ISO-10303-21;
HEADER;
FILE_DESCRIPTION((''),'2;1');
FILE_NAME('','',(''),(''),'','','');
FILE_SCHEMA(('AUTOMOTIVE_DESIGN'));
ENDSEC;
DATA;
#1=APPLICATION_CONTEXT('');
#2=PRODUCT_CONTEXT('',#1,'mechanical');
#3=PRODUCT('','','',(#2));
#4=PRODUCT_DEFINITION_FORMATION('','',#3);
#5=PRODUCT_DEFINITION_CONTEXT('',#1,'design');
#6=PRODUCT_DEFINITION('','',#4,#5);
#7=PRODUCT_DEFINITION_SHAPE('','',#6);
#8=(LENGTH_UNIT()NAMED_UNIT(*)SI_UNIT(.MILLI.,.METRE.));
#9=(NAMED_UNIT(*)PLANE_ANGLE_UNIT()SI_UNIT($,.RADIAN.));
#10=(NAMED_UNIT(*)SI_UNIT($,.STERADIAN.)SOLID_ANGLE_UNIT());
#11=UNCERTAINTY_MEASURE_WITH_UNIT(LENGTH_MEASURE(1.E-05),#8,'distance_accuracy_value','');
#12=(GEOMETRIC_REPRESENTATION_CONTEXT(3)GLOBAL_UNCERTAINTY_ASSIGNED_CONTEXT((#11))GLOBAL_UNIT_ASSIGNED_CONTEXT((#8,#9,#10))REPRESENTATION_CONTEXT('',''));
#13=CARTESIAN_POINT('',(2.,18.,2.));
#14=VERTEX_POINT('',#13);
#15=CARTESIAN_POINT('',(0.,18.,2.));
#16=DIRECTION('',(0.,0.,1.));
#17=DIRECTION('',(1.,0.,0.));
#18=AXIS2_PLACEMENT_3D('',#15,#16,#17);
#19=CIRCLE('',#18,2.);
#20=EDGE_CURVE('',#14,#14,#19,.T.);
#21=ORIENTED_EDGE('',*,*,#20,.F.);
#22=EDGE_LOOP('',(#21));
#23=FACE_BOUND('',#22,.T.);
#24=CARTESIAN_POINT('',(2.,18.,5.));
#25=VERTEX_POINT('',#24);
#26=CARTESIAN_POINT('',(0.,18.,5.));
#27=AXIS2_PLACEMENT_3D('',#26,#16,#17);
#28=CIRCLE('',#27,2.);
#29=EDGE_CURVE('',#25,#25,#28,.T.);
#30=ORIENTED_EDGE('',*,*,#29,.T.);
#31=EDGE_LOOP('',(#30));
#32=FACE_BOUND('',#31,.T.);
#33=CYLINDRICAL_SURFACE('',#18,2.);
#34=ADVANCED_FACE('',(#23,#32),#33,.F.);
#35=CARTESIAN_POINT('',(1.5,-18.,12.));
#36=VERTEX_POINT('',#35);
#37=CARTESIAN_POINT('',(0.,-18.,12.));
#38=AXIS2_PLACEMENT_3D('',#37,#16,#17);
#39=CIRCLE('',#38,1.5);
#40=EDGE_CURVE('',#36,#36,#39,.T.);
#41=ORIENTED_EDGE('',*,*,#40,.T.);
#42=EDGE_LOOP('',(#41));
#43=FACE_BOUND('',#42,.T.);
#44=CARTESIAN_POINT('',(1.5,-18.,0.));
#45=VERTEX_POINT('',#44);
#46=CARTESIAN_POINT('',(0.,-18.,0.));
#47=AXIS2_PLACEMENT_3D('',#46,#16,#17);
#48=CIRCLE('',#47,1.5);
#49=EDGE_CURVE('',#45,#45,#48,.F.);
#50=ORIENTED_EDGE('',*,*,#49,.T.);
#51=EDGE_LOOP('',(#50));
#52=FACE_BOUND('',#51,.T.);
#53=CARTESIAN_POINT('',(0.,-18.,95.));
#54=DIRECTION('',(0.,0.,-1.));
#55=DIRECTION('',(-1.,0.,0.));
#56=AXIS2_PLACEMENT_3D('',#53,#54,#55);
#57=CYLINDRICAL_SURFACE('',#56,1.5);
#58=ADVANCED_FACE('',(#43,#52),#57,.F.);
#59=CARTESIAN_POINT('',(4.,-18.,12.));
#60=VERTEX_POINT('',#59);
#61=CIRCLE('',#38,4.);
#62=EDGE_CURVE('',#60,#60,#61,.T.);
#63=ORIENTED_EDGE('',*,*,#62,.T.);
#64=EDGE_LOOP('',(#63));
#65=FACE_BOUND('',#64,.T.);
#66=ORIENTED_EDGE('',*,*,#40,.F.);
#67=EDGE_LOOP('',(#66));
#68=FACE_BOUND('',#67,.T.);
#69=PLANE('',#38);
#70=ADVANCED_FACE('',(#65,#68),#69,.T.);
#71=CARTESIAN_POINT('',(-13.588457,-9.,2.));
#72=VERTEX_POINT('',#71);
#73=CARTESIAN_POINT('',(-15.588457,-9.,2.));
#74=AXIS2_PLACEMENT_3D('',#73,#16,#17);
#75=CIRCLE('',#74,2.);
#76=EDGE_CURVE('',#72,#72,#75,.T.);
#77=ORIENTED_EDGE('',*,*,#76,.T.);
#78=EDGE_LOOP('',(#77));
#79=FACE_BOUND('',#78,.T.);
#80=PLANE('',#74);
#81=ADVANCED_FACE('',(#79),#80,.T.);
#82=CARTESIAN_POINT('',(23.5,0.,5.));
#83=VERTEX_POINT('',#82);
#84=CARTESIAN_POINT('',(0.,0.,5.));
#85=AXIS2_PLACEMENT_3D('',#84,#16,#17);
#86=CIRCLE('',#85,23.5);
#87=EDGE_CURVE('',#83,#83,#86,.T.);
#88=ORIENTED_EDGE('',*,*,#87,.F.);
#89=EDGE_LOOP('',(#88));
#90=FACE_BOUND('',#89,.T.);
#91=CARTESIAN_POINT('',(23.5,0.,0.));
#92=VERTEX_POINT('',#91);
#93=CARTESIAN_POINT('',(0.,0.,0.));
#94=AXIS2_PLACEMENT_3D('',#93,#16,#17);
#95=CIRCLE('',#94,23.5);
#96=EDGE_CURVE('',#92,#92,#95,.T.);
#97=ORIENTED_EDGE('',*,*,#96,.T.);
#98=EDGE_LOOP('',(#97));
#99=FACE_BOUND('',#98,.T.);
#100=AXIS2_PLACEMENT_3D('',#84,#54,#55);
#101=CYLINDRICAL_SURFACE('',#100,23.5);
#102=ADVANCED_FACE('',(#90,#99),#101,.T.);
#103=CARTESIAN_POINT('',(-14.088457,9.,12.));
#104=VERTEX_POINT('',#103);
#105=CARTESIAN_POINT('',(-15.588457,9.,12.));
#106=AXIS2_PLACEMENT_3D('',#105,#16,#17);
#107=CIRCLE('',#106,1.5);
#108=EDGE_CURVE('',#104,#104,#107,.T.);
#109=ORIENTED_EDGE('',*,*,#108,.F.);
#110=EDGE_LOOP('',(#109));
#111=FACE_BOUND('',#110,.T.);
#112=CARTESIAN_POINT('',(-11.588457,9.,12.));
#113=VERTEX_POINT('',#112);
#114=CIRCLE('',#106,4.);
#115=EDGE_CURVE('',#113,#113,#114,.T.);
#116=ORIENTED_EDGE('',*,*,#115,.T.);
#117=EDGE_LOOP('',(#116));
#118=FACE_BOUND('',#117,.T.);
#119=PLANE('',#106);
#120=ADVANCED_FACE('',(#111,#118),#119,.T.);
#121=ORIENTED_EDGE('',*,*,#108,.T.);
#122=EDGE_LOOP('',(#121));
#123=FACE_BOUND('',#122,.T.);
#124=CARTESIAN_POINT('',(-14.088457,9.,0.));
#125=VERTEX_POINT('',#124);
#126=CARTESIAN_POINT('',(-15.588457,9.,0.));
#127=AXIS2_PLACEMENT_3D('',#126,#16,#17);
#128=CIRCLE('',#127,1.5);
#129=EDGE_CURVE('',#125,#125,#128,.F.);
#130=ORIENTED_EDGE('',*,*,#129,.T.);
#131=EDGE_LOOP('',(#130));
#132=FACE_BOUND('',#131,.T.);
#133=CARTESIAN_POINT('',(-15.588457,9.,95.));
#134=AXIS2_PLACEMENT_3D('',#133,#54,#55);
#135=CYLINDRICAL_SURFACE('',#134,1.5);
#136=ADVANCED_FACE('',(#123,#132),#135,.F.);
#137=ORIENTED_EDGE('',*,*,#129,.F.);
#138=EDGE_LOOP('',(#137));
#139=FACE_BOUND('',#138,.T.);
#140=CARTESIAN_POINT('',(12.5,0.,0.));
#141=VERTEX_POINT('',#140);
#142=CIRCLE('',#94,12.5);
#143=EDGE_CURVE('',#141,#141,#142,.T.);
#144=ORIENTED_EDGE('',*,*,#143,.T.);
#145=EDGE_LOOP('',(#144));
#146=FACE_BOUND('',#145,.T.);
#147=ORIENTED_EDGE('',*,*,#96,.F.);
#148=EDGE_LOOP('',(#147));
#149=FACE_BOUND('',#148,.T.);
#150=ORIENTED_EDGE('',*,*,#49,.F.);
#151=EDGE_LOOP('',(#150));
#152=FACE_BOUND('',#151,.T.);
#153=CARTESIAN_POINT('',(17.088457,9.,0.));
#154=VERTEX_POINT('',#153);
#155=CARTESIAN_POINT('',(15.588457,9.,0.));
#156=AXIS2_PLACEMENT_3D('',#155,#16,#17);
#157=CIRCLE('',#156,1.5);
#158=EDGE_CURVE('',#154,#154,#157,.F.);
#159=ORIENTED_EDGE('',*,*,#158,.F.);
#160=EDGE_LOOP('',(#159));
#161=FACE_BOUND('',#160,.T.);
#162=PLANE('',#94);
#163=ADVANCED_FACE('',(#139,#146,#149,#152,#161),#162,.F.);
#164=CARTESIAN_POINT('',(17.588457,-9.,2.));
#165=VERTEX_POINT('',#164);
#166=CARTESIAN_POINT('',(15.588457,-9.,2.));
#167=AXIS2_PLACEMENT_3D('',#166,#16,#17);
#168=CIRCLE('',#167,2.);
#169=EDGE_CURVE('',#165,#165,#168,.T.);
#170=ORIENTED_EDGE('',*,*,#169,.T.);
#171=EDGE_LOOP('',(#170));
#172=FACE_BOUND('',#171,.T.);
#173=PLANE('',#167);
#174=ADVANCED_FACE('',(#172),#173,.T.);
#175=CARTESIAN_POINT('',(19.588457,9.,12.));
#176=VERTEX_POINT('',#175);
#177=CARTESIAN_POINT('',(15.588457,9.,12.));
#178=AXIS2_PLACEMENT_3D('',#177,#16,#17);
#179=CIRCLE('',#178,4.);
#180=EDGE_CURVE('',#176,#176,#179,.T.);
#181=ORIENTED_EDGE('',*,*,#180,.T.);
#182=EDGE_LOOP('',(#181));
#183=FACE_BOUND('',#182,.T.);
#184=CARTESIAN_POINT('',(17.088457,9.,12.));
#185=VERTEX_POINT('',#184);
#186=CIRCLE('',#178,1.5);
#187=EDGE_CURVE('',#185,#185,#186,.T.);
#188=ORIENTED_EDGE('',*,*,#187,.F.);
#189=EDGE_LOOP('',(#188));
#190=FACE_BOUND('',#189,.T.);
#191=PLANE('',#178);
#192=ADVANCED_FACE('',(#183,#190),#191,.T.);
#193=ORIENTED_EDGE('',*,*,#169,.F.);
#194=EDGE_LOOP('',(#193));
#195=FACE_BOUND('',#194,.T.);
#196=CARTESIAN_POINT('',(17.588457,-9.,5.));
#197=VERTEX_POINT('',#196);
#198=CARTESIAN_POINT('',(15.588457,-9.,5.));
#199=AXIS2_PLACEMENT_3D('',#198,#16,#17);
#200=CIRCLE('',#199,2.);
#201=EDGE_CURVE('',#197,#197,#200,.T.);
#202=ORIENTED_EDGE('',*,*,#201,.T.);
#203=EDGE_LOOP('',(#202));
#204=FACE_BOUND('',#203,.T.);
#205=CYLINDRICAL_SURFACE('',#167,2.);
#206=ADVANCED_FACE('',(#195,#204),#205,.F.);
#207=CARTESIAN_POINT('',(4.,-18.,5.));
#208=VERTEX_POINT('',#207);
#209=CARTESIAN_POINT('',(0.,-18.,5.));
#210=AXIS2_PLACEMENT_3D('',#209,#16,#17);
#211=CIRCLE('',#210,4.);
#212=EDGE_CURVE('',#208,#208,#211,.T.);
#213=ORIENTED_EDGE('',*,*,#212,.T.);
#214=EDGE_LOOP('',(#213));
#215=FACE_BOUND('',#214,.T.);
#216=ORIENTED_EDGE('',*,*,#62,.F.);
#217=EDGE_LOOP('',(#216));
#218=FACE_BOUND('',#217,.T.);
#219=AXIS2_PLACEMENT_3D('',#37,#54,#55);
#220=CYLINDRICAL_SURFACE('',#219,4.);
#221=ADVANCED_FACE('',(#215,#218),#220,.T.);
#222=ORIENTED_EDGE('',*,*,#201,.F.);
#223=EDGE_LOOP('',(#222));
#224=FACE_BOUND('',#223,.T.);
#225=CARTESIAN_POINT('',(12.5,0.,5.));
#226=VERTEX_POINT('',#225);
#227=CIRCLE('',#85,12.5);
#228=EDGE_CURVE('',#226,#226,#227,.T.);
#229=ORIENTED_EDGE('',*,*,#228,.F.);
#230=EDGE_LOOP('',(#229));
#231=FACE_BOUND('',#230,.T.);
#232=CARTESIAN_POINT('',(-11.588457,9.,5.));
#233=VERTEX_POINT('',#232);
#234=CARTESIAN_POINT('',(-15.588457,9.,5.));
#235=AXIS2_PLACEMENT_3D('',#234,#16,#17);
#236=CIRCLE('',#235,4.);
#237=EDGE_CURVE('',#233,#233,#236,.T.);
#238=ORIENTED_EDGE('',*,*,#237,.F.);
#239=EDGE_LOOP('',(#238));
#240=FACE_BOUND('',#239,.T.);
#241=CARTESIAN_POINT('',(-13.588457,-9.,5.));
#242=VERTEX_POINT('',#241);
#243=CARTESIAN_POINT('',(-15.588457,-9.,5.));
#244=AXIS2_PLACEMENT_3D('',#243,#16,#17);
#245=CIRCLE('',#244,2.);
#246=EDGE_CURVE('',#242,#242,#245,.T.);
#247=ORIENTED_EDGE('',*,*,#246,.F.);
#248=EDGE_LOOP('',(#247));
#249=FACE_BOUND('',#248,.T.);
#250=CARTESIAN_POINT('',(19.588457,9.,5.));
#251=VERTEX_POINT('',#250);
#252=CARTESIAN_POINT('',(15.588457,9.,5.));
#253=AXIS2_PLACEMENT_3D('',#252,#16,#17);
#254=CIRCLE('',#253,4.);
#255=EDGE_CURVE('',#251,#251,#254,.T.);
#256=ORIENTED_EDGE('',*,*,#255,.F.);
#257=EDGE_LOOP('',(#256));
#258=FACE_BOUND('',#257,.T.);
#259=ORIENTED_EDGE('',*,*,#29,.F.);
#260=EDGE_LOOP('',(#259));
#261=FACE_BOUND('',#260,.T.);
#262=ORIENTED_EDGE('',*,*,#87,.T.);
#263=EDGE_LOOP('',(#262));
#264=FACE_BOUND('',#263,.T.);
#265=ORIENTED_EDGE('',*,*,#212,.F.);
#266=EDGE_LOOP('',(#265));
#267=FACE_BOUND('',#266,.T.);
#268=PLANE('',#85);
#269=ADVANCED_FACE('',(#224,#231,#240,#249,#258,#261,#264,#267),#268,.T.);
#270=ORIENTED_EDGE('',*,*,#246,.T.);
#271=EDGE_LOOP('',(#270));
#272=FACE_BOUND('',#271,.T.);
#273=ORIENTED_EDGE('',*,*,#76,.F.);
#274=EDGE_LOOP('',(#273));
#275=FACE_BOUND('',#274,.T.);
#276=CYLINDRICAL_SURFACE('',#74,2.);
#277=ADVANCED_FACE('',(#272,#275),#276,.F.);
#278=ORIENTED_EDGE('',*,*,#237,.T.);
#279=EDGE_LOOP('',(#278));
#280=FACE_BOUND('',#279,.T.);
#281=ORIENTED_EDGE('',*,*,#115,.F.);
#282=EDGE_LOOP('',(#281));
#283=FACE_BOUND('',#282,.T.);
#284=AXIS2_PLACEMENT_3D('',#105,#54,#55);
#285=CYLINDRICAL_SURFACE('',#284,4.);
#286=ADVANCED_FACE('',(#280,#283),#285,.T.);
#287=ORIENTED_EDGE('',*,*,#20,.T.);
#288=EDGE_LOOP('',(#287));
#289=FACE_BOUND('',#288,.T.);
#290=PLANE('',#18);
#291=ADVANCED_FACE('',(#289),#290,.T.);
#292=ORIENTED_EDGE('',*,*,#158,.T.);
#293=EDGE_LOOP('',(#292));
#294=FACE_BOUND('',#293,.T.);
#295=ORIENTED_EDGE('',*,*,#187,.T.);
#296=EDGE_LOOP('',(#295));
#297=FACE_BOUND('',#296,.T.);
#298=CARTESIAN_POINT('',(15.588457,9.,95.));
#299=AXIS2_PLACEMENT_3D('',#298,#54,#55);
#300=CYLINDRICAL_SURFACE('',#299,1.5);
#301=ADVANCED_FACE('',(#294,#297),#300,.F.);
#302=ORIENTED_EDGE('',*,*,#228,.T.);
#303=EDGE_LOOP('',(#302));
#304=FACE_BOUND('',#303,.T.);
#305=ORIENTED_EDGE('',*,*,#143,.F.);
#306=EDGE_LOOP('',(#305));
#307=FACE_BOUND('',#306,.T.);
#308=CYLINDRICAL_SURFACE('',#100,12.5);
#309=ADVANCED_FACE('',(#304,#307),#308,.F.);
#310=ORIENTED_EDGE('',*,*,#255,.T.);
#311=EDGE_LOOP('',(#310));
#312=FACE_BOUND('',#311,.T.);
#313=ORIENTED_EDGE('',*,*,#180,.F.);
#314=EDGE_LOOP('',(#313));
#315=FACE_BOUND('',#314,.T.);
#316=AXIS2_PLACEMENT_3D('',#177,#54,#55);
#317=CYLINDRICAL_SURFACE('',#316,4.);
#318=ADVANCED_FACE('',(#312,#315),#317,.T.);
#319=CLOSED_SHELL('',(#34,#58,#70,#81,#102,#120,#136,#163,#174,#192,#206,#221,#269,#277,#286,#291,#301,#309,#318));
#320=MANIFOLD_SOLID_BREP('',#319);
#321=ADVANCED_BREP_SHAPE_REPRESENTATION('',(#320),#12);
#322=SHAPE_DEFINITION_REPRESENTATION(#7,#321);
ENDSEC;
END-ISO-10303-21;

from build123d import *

# Parameters (mm, degrees)
SKETCH1_R               = 23.5
SKETCH1_R_2             = 12.5
BOSS_EXTRUDE1_DEPTH     = 5
SKETCH2_R               = 2
CUT_EXTRUDE1_DEPTH      = 3
SKETCH3_R               = 1.5
CUT_EXTRUDE2_DEPTH      = 90
CUT_EXTRUDE2_DEPTH_BACK = 54
SKETCH6_R               = 4
SKETCH6_R_2             = 1.5
BOSS_EXTRUDE3_DEPTH     = 7
SKETCH7_R               = 4
SKETCH7_R_2             = 1.5
BOSS_EXTRUDE4_DEPTH     = 3


with BuildPart() as part:
    # Sketch1 → Boss-Extrude1 (new body)
    with BuildSketch(Plane.XY):
        Circle(SKETCH1_R)
        Circle(SKETCH1_R_2, mode=Mode.SUBTRACT)
    extrude(amount=BOSS_EXTRUDE1_DEPTH)

    # Sketch2 → Cut-Extrude1 (cut)
    with BuildSketch(Plane.XY.offset(5)):
        with Locations((0, 18)):
            Circle(SKETCH2_R)
        with Locations((15.588457268, -9)):
            Circle(SKETCH2_R)
        with Locations((-15.588457268, -9)):
            Circle(SKETCH2_R)
    extrude(amount=-CUT_EXTRUDE1_DEPTH, mode=Mode.SUBTRACT)

    # Sketch3 → Cut-Extrude2 (cut, two sides)
    with BuildSketch(Plane.XY.offset(5)) as cut_extrude2_sk:
        with Locations((-15.588457268, 9)):
            Circle(SKETCH3_R)
        with Locations((15.588457268, 9)):
            Circle(SKETCH3_R)
        with Locations((0, -18)):
            Circle(SKETCH3_R)
    extrude(amount=CUT_EXTRUDE2_DEPTH, mode=Mode.SUBTRACT)
    extrude(cut_extrude2_sk.sketch, amount=-CUT_EXTRUDE2_DEPTH_BACK, mode=Mode.SUBTRACT)

    # Sketch6 → Boss-Extrude3 (add)
    with BuildSketch(Plane.XY.offset(5)):
        with Locations((-15.588457268, 9)):
            Circle(SKETCH6_R)
        with Locations((-15.588457268, 9)):
            Circle(SKETCH6_R_2, mode=Mode.SUBTRACT)
        with Locations((15.588457268, 9)):
            Circle(SKETCH6_R)
        with Locations((15.588457268, 9)):
            Circle(SKETCH6_R_2, mode=Mode.SUBTRACT)
        with Locations((0, -18)):
            Circle(SKETCH6_R)
        with Locations((0, -18)):
            Circle(SKETCH6_R_2, mode=Mode.SUBTRACT)
    extrude(amount=BOSS_EXTRUDE3_DEPTH)

    # Sketch7 → Boss-Extrude4 (add)
    with BuildSketch(Plane.XY.offset(12)):
        with Locations((-15.588457268, 9)):
            Circle(SKETCH7_R)
        with Locations((-15.588457268, 9)):
            Circle(SKETCH7_R_2, mode=Mode.SUBTRACT)
        with Locations((15.588457268, 9)):
            Circle(SKETCH7_R)
        with Locations((15.588457268, 9)):
            Circle(SKETCH7_R_2, mode=Mode.SUBTRACT)
        with Locations((0, -18)):
            Circle(SKETCH7_R)
        with Locations((0, -18)):
            Circle(SKETCH7_R_2, mode=Mode.SUBTRACT)
    extrude(amount=-BOSS_EXTRUDE4_DEPTH)


solid = part.part
